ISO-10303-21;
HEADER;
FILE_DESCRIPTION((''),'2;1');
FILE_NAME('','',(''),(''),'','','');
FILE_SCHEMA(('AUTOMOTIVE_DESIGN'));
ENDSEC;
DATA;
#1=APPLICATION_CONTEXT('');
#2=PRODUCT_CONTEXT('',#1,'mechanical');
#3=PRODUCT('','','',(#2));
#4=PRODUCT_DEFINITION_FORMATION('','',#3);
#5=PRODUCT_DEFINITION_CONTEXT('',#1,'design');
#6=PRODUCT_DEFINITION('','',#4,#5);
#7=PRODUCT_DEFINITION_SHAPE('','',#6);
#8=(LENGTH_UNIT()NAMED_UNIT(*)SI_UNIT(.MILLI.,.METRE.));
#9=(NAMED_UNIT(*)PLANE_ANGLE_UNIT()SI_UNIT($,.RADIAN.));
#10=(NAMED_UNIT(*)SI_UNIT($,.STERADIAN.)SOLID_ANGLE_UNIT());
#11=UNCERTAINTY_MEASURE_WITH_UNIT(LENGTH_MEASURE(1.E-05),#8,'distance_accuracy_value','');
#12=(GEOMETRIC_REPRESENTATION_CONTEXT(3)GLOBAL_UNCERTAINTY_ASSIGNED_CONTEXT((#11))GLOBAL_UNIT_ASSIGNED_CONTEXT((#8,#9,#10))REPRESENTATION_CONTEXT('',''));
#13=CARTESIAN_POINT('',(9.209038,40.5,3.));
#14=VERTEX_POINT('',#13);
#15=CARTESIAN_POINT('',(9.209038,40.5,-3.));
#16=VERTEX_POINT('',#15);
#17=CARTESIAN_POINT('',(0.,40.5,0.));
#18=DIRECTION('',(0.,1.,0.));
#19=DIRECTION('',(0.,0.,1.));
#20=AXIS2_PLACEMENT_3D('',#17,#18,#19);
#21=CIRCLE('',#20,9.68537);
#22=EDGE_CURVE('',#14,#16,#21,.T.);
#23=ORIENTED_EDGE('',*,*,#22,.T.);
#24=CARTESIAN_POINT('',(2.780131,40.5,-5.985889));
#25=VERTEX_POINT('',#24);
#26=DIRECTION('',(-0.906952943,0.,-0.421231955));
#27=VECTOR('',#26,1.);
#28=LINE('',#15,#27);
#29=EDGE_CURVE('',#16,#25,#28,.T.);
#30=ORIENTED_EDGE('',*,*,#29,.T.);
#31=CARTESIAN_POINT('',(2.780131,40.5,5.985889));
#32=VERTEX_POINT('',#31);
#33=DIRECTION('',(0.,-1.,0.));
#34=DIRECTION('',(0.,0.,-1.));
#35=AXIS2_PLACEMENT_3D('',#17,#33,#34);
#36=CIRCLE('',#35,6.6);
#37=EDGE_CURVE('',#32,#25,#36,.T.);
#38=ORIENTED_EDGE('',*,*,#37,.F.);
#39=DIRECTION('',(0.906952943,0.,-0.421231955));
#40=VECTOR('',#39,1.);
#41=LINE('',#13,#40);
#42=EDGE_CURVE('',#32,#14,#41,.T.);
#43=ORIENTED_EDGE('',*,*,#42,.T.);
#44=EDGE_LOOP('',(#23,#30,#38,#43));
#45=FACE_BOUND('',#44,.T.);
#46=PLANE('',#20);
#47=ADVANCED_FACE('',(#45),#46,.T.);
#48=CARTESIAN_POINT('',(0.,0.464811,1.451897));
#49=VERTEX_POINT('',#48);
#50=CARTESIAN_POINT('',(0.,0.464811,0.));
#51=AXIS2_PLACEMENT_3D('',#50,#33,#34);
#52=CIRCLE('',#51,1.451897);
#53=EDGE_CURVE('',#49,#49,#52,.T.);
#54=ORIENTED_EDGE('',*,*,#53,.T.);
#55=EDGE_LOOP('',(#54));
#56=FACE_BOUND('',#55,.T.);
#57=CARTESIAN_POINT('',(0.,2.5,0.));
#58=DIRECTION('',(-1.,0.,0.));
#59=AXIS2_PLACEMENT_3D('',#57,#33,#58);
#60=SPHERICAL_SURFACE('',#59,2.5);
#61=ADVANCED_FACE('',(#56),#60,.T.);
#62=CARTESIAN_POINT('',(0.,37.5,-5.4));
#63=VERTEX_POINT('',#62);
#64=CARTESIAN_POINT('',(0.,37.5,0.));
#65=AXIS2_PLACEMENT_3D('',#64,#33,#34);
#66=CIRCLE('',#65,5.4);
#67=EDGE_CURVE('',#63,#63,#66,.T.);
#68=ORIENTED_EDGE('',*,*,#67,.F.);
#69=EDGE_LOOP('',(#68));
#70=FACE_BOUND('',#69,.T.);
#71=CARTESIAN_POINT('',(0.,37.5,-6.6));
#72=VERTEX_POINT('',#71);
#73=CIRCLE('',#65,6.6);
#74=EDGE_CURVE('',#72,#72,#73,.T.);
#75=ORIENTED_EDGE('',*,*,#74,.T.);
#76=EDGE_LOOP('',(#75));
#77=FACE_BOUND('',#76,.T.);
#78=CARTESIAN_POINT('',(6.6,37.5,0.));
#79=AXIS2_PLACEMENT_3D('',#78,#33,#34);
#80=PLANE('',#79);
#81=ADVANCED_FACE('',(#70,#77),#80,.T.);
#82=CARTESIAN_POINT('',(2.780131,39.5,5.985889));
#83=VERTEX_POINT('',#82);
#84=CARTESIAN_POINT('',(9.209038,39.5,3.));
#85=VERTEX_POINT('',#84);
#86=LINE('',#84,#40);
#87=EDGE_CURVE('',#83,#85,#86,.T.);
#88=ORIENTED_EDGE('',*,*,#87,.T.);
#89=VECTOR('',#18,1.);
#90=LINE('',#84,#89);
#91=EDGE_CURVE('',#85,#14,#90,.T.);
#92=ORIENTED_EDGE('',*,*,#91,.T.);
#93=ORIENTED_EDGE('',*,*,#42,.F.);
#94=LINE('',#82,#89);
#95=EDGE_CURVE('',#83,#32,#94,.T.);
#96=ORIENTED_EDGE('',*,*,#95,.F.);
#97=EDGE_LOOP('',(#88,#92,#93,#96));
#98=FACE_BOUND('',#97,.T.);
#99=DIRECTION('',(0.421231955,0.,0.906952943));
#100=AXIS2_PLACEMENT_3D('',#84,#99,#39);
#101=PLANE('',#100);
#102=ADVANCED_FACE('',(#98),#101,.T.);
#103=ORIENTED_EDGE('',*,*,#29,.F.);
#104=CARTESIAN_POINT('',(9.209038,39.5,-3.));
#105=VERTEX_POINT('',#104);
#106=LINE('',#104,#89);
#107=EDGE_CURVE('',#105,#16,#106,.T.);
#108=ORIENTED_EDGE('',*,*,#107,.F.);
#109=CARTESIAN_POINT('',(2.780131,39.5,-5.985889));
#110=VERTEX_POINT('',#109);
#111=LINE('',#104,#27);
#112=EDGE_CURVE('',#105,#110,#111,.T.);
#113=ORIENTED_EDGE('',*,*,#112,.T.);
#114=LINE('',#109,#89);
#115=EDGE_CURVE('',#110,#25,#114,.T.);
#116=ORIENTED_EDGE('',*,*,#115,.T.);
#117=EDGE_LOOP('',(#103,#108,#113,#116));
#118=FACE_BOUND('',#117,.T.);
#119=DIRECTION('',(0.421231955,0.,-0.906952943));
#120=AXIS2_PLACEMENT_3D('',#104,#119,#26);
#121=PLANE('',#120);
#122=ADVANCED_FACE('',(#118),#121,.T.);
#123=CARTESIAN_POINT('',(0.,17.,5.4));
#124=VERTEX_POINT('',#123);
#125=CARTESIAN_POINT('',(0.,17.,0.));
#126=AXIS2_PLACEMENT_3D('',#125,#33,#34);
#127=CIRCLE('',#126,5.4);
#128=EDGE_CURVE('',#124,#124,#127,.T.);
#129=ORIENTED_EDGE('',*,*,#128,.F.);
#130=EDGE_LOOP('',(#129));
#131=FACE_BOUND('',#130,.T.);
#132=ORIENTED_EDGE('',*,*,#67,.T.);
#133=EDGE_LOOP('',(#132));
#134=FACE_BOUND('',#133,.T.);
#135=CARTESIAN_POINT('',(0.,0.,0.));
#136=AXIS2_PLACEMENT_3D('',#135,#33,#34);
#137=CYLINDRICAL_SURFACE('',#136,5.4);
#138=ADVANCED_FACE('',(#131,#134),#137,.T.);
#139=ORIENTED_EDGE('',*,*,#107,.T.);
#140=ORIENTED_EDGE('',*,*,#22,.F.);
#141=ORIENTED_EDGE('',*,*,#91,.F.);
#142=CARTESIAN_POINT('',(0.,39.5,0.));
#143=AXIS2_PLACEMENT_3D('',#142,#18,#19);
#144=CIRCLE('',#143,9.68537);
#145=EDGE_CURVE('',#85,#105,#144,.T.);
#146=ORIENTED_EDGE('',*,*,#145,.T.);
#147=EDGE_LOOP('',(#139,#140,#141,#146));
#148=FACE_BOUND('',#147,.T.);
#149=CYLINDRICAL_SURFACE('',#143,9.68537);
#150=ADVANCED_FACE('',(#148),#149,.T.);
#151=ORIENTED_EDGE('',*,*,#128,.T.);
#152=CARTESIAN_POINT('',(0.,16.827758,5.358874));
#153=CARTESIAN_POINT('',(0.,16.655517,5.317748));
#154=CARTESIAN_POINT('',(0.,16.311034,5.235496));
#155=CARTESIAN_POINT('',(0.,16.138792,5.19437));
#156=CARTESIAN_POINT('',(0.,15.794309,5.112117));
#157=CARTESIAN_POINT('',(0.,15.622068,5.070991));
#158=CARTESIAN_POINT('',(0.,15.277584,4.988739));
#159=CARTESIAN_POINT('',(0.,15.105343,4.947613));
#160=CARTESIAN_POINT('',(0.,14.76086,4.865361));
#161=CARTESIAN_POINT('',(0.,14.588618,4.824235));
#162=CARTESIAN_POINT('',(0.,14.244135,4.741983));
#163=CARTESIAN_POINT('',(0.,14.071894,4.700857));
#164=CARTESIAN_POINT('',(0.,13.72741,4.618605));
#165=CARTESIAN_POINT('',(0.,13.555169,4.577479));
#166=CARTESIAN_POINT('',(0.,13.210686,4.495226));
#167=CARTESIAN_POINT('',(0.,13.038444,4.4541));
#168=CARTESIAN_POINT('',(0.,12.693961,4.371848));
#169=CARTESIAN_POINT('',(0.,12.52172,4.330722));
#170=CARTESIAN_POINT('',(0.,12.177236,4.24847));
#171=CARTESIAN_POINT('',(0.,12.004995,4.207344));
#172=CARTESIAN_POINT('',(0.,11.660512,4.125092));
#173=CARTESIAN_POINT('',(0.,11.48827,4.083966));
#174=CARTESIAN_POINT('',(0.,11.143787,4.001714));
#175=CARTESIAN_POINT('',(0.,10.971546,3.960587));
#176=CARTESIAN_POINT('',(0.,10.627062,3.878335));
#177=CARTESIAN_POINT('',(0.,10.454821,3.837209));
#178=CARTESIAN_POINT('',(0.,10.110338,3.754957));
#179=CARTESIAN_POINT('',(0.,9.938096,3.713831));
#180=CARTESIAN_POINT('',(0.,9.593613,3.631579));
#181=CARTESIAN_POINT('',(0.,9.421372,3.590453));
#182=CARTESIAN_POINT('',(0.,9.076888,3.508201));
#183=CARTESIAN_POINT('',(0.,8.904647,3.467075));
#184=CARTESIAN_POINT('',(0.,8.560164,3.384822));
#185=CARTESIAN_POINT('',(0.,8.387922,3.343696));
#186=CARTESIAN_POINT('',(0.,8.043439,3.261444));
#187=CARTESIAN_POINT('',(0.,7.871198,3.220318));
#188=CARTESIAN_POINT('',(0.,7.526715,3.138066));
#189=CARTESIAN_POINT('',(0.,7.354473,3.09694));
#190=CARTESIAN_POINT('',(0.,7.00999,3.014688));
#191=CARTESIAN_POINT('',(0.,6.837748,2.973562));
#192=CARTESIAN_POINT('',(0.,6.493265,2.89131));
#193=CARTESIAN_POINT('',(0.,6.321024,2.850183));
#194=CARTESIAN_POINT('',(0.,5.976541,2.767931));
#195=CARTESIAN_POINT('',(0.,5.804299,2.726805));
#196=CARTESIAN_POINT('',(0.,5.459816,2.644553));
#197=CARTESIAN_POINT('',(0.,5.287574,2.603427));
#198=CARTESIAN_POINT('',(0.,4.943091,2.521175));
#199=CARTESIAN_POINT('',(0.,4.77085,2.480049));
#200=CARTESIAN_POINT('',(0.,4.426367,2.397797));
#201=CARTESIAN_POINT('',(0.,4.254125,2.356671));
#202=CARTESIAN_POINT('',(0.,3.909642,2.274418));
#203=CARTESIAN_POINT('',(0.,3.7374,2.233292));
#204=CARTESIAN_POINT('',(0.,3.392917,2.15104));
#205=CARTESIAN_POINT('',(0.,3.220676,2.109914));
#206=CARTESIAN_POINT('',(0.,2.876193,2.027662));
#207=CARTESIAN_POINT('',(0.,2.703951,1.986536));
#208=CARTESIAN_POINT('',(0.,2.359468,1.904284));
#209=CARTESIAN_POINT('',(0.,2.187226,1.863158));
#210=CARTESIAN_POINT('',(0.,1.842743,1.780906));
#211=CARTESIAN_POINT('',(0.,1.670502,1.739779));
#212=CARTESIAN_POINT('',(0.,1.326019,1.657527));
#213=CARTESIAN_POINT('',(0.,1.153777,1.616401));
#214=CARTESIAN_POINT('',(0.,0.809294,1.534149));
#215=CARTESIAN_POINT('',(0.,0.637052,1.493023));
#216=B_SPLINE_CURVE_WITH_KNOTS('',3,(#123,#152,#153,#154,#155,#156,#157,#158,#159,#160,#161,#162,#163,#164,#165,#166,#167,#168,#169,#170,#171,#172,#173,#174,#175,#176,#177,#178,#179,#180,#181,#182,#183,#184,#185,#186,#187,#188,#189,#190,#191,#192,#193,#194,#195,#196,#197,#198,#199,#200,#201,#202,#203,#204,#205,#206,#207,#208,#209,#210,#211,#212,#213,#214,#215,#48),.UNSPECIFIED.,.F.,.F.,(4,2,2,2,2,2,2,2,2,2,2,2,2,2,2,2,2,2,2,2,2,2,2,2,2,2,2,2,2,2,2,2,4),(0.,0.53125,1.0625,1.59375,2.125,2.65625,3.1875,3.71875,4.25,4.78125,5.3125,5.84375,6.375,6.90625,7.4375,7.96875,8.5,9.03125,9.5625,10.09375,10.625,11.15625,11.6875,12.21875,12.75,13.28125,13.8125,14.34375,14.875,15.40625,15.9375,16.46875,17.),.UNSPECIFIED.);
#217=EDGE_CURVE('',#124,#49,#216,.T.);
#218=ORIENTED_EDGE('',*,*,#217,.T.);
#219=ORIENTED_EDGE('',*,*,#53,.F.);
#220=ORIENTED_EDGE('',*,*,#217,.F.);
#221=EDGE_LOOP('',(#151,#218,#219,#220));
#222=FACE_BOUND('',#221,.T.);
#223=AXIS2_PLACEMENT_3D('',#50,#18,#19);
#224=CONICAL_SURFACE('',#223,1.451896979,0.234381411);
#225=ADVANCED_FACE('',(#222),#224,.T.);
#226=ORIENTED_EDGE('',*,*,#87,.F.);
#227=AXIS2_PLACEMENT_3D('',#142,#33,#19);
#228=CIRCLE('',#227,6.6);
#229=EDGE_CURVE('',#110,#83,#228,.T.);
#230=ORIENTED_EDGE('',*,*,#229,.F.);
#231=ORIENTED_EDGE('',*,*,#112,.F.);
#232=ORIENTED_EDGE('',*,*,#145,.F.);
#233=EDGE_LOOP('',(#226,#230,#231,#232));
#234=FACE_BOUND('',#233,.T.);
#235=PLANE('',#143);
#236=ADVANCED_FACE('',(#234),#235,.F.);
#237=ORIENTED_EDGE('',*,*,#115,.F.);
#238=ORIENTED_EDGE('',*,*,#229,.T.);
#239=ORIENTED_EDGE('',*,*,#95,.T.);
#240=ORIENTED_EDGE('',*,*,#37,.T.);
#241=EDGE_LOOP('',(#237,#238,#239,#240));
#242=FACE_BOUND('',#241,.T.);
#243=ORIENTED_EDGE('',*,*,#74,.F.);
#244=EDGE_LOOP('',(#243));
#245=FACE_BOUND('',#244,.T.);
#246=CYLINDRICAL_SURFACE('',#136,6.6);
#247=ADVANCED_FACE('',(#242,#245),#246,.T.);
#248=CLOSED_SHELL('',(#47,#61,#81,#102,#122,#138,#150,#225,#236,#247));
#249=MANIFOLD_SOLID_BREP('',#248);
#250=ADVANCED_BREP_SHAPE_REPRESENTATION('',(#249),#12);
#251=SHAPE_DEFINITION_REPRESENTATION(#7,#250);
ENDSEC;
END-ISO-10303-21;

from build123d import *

# Parameters (mm, degrees)
SALIENTE_EXTRUIR1_DEPTH = 1


with BuildPart() as part:
    # Croquis1 → Revolución1 (revolve)
    with BuildSketch(Plane.XY, mode=Mode.PRIVATE) as revoluci_n1_sk:
        with BuildLine():
            Line((0, 40.5), (0, 0))
            ThreePointArc((0, 0), (0.762242399, 0.119036639), (1.451896979, 0.46481078))
            Line((1.451896979, 0.46481078), (5.4, 17))
            Line((5.4, 17), (5.4, 37.5))
            Line((5.4, 37.5), (6.6, 37.5))
            Line((6.6, 37.5), (6.6, 40.5))
            Line((6.6, 40.5), (0, 40.5))
        make_face()
    revolve(revoluci_n1_sk.sketch.rotate(Axis((0, 0, 0), (0, 1, 0)), 180), axis=Axis((0, 0, 0), (0, 1, 0)))

    # Croquis2 → Saliente-Extruir1 (add)
    with BuildSketch(Plane(origin=(0, 40.5, 0), x_dir=(1, 0, 0), z_dir=(0, 1, 0))):
        with BuildLine():
            Line((9.209038218, 3), (2.780130903, 5.985889421))
            ThreePointArc((2.780130903, 5.985889421), (6.6, 0), (2.780130903, -5.985889421))
            Line((2.780130903, -5.985889421), (9.209038218, -3))
            ThreePointArc((9.209038218, -3), (9.685369631, 0), (9.209038218, 3))
        make_face()
    extrude(amount=-SALIENTE_EXTRUIR1_DEPTH)


solid = part.part
